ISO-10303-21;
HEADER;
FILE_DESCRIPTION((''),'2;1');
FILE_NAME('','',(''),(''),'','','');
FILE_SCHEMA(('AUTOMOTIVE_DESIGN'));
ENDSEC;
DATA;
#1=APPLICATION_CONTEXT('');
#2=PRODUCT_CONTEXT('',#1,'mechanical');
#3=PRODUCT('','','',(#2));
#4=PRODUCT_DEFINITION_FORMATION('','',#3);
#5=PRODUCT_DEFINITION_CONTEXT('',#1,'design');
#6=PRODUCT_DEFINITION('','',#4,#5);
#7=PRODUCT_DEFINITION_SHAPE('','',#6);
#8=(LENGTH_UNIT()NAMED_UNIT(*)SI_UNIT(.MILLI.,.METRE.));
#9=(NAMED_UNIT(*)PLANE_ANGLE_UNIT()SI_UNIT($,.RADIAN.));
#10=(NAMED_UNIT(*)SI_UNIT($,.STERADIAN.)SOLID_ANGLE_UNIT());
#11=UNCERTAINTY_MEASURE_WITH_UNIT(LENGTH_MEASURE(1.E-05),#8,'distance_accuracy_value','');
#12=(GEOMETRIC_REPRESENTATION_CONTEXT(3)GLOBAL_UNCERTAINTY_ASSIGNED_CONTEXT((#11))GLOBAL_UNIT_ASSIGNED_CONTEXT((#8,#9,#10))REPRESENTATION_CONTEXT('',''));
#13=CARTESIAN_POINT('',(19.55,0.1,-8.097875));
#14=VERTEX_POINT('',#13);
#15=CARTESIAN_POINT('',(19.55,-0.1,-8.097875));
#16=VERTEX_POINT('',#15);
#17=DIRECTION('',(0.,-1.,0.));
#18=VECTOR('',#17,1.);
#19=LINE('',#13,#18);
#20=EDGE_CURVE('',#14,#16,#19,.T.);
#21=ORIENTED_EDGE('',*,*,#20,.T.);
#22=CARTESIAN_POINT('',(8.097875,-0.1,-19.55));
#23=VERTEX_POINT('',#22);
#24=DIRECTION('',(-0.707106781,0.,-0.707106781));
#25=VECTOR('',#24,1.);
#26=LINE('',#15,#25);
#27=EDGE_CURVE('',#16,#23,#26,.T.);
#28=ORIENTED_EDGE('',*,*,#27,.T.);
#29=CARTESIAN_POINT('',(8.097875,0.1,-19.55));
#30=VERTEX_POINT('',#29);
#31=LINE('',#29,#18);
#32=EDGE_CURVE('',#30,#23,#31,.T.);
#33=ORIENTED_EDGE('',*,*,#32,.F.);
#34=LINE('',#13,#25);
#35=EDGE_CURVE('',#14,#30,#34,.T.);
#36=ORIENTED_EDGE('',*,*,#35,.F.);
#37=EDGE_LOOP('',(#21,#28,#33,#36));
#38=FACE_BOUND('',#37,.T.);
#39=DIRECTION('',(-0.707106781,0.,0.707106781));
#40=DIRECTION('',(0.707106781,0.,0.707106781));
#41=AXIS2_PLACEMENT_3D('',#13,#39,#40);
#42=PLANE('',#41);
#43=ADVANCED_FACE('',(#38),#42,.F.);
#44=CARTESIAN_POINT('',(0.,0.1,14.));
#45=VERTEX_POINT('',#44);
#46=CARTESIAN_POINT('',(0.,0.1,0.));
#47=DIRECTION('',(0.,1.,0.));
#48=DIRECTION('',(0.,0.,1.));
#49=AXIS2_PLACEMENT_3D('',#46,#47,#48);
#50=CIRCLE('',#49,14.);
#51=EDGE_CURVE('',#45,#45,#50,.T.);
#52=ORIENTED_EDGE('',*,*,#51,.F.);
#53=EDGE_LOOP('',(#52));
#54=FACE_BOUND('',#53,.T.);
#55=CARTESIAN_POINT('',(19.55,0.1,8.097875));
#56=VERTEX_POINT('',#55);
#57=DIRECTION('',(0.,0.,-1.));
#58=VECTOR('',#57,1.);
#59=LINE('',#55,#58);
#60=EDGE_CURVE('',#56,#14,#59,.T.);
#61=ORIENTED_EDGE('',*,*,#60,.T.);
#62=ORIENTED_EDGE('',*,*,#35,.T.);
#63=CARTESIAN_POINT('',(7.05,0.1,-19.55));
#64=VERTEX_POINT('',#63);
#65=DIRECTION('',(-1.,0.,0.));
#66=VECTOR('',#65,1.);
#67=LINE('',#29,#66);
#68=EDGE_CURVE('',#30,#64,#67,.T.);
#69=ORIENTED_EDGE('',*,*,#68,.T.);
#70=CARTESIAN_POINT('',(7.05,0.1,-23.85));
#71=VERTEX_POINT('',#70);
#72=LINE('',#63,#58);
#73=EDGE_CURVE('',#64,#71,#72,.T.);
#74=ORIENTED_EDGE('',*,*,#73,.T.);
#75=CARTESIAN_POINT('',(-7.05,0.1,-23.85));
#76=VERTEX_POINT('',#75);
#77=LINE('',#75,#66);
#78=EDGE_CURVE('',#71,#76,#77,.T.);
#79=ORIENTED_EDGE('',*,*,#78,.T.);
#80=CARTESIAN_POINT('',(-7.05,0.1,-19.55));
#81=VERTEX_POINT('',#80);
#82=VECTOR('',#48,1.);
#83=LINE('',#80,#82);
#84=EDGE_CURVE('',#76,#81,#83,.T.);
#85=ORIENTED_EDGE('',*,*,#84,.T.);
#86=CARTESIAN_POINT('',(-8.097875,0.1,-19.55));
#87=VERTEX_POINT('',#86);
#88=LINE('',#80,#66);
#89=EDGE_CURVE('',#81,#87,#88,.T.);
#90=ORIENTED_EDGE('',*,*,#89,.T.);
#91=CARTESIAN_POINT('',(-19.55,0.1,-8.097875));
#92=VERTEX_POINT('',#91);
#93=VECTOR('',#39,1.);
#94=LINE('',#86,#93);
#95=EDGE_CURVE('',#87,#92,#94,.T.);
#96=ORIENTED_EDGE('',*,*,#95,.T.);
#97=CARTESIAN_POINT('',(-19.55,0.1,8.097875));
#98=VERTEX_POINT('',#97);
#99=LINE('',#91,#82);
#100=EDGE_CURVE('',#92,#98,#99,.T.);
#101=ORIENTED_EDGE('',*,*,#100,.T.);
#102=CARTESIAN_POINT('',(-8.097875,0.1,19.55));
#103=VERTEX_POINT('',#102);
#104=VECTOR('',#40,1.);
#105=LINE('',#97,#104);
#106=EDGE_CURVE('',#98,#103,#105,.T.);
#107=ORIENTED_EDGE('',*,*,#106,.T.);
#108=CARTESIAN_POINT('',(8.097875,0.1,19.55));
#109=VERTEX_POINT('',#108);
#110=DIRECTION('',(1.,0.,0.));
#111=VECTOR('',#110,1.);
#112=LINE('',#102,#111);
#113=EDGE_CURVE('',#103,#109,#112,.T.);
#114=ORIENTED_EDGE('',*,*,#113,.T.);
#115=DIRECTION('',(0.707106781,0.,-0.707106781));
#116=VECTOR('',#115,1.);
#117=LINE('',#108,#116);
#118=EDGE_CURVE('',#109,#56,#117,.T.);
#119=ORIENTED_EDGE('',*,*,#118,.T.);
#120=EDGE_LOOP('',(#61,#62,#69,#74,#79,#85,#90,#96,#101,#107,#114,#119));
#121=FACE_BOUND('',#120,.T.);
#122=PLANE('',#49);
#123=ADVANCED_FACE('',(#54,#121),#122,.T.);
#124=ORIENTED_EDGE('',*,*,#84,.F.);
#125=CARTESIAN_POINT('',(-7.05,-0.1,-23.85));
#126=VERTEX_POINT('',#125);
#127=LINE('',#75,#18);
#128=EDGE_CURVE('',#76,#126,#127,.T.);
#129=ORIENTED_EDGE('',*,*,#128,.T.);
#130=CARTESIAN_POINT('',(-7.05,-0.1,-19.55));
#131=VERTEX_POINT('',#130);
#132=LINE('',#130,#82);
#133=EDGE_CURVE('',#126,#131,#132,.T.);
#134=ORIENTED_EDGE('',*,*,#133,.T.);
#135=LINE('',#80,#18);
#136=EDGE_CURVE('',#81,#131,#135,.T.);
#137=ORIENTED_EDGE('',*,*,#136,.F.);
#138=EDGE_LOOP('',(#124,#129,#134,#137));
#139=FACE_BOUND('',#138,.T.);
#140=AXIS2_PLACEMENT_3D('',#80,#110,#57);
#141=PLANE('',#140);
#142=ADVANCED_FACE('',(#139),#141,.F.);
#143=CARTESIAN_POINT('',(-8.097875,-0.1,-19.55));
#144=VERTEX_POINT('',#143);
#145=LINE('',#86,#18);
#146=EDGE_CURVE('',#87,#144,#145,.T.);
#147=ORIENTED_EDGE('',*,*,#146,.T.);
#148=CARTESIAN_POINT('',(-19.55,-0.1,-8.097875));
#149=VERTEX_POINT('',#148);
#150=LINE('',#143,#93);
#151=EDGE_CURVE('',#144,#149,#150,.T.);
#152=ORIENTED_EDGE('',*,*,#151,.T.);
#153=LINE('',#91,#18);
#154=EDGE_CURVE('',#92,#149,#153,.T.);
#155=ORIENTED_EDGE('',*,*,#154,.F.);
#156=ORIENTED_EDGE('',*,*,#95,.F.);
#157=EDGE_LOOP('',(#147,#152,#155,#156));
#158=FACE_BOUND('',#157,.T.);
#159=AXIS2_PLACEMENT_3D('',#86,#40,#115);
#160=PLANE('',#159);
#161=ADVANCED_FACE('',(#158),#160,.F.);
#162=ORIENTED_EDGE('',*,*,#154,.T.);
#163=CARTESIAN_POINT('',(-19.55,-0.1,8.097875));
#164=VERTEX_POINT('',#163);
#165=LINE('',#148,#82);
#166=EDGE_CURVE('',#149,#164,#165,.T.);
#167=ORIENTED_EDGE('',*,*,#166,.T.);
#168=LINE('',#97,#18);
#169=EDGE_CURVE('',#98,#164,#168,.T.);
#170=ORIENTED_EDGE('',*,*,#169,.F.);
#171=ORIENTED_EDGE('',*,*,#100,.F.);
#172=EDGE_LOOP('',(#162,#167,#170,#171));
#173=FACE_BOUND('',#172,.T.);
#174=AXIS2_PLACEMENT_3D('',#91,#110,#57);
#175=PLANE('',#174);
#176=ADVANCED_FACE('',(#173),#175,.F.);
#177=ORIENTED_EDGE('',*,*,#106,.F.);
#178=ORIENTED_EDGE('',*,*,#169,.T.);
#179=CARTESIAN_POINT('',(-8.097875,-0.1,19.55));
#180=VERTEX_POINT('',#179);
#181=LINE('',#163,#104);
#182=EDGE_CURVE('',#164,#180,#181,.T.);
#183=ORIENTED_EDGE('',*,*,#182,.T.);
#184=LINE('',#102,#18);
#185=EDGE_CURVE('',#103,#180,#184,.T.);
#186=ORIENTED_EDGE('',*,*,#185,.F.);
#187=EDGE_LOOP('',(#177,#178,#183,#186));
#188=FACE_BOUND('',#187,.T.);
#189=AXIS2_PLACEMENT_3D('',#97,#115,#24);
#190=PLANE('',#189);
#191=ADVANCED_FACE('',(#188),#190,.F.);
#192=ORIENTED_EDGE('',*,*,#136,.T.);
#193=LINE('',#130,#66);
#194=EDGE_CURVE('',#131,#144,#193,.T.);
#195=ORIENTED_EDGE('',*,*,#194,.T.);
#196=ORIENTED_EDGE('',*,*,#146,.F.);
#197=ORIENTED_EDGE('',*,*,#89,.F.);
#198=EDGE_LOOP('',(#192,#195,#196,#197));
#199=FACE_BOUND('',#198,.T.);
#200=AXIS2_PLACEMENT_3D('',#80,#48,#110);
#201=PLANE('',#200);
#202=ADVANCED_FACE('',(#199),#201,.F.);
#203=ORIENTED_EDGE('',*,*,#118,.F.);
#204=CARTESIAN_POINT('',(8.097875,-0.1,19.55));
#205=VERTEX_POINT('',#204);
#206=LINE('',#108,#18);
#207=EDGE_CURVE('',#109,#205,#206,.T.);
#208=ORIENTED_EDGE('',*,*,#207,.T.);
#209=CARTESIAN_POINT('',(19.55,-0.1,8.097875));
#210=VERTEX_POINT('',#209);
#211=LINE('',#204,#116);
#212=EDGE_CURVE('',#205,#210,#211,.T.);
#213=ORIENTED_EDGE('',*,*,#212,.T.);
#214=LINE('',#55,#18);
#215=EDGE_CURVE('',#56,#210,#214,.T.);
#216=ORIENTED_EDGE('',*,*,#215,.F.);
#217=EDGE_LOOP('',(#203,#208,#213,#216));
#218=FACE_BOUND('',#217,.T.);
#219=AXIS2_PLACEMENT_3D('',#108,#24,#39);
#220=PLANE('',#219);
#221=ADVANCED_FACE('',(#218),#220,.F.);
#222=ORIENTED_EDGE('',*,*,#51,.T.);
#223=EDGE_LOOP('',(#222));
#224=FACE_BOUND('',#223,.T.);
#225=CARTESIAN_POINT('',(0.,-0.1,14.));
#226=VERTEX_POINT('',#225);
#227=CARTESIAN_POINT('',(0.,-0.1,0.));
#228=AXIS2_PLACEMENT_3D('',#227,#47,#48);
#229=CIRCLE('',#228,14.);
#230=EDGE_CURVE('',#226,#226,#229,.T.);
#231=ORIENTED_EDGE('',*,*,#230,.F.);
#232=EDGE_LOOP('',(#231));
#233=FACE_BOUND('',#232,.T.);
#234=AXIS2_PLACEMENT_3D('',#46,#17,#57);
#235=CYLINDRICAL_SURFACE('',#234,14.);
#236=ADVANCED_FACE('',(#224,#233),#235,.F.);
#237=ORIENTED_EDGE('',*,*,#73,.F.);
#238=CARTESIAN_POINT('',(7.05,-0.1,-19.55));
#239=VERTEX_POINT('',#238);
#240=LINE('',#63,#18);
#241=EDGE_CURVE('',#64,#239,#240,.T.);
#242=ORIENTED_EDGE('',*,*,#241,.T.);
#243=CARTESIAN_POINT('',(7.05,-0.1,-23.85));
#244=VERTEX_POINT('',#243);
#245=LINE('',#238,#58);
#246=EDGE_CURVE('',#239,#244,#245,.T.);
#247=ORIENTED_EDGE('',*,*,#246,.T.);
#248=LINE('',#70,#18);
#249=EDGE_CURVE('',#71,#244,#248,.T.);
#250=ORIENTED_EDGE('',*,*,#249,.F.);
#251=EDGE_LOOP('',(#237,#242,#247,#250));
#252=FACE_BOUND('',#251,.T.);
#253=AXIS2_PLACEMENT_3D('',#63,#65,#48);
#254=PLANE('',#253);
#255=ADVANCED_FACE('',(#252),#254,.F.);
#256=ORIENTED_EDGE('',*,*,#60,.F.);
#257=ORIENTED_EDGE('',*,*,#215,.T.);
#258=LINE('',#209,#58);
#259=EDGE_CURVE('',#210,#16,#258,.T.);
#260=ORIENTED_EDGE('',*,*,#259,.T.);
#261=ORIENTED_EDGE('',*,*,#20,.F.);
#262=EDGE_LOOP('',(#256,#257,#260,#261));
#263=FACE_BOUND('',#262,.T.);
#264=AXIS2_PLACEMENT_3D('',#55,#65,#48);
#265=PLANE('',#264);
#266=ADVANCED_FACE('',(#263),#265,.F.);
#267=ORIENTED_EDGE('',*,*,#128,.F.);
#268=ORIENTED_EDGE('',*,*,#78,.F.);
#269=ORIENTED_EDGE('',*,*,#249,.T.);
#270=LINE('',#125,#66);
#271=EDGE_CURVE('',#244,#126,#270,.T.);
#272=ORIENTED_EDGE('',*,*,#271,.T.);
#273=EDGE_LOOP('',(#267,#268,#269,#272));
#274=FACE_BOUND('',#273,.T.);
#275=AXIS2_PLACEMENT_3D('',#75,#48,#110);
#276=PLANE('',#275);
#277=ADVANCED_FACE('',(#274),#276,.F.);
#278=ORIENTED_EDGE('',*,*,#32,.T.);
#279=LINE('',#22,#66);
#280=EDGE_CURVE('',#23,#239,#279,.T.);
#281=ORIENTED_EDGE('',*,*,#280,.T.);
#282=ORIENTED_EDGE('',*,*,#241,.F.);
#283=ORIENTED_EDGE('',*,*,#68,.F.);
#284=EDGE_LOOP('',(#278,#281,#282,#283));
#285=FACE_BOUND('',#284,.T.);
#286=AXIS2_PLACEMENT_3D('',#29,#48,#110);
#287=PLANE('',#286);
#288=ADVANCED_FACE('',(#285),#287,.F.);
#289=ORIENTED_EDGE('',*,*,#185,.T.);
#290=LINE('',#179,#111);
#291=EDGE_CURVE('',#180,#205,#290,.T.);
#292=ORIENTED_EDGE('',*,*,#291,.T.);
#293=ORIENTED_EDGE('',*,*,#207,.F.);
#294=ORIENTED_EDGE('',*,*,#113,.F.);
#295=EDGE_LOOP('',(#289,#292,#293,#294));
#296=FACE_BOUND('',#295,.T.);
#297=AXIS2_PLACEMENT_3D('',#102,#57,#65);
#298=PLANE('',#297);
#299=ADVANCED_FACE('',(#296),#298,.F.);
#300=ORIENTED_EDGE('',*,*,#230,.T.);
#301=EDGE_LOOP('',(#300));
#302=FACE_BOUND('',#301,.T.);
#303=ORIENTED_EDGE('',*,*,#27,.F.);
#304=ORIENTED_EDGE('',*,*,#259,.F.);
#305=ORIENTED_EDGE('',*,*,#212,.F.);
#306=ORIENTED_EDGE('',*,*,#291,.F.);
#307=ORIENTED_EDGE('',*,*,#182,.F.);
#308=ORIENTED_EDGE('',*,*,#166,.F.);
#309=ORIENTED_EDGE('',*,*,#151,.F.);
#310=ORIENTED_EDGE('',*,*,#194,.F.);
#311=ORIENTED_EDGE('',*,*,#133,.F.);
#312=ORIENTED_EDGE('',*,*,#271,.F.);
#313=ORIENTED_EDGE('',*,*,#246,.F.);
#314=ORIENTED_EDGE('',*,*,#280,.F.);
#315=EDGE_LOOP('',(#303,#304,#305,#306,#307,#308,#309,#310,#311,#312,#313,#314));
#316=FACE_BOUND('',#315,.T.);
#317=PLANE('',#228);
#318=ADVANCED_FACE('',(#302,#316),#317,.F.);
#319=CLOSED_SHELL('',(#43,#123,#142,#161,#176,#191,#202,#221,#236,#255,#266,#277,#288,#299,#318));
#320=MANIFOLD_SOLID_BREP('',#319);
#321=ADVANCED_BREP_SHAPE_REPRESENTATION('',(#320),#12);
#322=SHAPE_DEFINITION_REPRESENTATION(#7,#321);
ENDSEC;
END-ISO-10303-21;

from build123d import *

# Parameters (mm, degrees)
ESBO_O1_R                = 14
RESSALTO_EXTRUS_O1_DEPTH = 0.1


with BuildPart() as part:
    # Esboço1 → Ressalto-extrusão1 (new, symmetric)
    with BuildSketch(Plane(origin=(0, 0, 0), x_dir=(1, 0, 0), z_dir=(0, 1, 0))):
        Polygon((-7.05, 19.55), (-8.097875144, 19.55), (-19.55, 8.097875144), (-19.55, -8.097875144), (-8.097875144, -19.55), (8.097875144, -19.55), (19.55, -8.097875144), (19.55, 8.097875144), (8.097875144, 19.55), (7.05, 19.55), (7.05, 23.85), (-7.05, 23.85), align=None)
        with Locations(Location((0, 0, 0), (0, 0, 270))):
            Circle(ESBO_O1_R, mode=Mode.SUBTRACT)
    extrude(amount=RESSALTO_EXTRUS_O1_DEPTH, both=True)


solid = part.part
